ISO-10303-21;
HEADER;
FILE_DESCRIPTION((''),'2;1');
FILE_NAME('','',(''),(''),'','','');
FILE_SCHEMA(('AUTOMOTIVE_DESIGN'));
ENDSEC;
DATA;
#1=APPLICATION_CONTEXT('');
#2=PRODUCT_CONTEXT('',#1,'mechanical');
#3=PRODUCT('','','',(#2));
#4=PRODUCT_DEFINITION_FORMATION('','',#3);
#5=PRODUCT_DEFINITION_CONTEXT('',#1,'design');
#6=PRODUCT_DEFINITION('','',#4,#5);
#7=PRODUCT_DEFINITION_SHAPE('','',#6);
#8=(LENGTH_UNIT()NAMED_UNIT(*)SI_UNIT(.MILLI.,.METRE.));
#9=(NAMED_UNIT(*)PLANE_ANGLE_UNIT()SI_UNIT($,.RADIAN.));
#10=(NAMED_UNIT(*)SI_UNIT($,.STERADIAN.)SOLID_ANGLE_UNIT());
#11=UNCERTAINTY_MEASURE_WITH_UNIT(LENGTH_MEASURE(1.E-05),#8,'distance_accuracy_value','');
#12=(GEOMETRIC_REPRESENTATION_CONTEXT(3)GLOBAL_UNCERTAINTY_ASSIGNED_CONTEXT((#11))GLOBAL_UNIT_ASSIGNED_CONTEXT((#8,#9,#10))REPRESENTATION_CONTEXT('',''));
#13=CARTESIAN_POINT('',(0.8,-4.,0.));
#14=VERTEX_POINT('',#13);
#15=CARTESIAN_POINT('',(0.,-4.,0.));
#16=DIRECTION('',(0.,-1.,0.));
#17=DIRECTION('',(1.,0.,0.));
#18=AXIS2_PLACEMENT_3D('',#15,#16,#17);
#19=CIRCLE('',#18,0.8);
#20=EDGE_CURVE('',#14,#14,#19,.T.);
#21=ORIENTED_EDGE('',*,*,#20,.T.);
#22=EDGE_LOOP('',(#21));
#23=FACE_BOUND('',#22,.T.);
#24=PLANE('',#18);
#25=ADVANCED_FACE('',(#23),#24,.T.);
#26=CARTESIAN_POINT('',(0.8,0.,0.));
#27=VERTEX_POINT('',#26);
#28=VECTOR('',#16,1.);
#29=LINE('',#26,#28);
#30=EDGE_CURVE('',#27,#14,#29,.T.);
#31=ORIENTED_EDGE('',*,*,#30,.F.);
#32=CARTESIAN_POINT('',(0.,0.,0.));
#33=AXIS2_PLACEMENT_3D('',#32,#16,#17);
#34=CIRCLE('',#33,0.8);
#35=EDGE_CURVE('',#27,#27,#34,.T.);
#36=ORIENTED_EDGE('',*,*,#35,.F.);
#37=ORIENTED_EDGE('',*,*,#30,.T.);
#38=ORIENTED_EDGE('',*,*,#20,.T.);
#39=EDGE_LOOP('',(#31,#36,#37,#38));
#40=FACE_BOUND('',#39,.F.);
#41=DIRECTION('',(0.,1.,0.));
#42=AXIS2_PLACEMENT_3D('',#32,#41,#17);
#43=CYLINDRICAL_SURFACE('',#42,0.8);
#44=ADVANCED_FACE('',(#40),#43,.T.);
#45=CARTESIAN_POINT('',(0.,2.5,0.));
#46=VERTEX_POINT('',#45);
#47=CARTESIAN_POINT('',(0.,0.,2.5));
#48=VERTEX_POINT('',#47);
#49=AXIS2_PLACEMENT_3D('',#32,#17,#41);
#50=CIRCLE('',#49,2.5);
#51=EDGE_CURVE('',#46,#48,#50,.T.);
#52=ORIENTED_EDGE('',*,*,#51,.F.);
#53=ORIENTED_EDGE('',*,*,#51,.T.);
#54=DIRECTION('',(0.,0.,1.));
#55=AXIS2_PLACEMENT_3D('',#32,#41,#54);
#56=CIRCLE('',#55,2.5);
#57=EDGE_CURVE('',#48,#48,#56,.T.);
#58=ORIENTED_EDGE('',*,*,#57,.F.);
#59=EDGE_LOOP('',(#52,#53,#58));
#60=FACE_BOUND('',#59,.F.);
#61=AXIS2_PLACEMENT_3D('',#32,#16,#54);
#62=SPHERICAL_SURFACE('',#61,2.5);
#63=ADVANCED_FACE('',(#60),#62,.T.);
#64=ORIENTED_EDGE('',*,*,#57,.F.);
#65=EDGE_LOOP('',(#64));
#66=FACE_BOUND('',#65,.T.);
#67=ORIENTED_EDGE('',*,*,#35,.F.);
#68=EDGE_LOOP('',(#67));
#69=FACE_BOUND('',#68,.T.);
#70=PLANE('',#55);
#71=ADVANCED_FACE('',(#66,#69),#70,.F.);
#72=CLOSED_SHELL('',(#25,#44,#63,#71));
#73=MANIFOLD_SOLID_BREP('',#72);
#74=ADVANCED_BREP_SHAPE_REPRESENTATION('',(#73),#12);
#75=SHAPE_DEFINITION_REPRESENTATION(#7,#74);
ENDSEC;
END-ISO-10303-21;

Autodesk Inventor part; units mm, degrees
ref_plane "YZ Plane" through (0, 0, 0) normal (1, 0, 0) x (0, 1, 0)
ref_plane "XZ Plane" through (0, 0, 0) normal (0, 1, 0) x (-1, 0, 0)
ref_plane "XY Plane" through (0, 0, 0) normal (0, 0, 1) x (1, 0, 0)
sketch "Sketch1" plane through (0, 0, 0) normal (1, 0, 0) x (0, 1, 0)
  arc A0 (2.5, 0) -> (0, 2.5) centre (0, 0) ccw
  line L0 (0, 0) -> (2.5, 0) construction
  line L1 (0, 0) -> (0, 2.5) construction
  line L2 (0, 0) -> (0, 2.5)
  line L3 (2.5, 0) -> (0, 0)
  dimension "d0" = 2.5
  dimension "d1" = 90
revolve "Revolution1" add sketch "Sketch1" angle 360 about axis through (0, 0, 0) along (0, 1, 0)
sketch "Sketch2" plane through (0, 0, 0) normal (0, -1, 0) x (1, 0, 0)
  circle A0 centre (0, 0) radius 0.8
  dimension "d3" = 1.6
extrude "Extrusion1" add sketch "Sketch2" along normal blind 4
thread "Thread1" size "M1.6x0.35" class "6g" standard "ANSI Metric M Profile" length 20.107
properties part number "board screws"
